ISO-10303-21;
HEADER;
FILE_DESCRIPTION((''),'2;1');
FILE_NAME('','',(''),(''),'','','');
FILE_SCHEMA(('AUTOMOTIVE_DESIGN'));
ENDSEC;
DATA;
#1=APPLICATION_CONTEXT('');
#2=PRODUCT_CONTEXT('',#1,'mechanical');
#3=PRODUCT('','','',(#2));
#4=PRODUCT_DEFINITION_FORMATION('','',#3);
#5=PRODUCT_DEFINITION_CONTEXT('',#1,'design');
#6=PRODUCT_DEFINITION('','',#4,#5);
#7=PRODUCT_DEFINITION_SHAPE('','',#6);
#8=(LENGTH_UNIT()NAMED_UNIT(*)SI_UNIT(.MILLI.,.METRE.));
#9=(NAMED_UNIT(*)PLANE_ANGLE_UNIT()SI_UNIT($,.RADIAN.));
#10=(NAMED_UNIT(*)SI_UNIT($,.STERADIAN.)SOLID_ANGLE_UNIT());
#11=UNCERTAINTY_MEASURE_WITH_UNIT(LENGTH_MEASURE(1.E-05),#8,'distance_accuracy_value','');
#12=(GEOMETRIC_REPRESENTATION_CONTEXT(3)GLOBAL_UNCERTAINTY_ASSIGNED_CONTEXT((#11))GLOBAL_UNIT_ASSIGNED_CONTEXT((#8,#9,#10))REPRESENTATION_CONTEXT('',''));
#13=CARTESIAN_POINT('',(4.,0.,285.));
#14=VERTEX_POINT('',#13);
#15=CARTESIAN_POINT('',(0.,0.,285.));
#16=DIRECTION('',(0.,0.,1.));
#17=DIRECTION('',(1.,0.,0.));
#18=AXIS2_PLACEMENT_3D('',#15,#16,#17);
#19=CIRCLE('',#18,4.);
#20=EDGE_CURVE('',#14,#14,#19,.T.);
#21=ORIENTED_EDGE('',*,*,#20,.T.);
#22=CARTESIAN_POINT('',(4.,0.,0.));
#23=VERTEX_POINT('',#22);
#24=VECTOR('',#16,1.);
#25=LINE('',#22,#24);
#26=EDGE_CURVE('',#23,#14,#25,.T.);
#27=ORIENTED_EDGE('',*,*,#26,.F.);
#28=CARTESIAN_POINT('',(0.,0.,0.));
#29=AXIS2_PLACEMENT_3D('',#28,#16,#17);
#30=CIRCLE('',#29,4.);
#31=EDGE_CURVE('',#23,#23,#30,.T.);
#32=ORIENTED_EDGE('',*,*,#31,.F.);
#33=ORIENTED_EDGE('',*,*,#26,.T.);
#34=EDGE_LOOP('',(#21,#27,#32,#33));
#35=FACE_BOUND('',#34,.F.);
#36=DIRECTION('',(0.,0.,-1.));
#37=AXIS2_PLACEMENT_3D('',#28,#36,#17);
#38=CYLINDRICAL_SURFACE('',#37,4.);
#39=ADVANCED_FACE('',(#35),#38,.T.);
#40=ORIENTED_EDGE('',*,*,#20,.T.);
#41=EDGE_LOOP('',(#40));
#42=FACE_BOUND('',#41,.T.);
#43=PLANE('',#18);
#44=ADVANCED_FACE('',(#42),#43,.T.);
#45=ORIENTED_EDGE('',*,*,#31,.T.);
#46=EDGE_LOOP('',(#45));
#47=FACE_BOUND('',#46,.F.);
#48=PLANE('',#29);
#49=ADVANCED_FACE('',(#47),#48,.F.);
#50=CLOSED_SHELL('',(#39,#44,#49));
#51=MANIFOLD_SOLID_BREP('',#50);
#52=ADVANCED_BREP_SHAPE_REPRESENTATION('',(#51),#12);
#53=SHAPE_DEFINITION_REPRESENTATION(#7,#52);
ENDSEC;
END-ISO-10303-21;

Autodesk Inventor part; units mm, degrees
ref_plane "YZ Plane" through (0, 0, 0) normal (1, 0, 0) x (0, 1, 0)
ref_plane "XZ Plane" through (0, 0, 0) normal (0, 1, 0) x (-1, 0, 0)
ref_plane "XY Plane" through (0, 0, 0) normal (0, 0, 1) x (1, 0, 0)
sketch "Sketch1" plane through (0, 0, 0) normal (0, 0, 1) x (1, 0, 0)
  circle A0 centre (0, 0) radius 4
  dimension "d0" = 8
extrude "Extrusion1" add sketch "Sketch1" along normal blind 285
properties part number "8mm rod"
